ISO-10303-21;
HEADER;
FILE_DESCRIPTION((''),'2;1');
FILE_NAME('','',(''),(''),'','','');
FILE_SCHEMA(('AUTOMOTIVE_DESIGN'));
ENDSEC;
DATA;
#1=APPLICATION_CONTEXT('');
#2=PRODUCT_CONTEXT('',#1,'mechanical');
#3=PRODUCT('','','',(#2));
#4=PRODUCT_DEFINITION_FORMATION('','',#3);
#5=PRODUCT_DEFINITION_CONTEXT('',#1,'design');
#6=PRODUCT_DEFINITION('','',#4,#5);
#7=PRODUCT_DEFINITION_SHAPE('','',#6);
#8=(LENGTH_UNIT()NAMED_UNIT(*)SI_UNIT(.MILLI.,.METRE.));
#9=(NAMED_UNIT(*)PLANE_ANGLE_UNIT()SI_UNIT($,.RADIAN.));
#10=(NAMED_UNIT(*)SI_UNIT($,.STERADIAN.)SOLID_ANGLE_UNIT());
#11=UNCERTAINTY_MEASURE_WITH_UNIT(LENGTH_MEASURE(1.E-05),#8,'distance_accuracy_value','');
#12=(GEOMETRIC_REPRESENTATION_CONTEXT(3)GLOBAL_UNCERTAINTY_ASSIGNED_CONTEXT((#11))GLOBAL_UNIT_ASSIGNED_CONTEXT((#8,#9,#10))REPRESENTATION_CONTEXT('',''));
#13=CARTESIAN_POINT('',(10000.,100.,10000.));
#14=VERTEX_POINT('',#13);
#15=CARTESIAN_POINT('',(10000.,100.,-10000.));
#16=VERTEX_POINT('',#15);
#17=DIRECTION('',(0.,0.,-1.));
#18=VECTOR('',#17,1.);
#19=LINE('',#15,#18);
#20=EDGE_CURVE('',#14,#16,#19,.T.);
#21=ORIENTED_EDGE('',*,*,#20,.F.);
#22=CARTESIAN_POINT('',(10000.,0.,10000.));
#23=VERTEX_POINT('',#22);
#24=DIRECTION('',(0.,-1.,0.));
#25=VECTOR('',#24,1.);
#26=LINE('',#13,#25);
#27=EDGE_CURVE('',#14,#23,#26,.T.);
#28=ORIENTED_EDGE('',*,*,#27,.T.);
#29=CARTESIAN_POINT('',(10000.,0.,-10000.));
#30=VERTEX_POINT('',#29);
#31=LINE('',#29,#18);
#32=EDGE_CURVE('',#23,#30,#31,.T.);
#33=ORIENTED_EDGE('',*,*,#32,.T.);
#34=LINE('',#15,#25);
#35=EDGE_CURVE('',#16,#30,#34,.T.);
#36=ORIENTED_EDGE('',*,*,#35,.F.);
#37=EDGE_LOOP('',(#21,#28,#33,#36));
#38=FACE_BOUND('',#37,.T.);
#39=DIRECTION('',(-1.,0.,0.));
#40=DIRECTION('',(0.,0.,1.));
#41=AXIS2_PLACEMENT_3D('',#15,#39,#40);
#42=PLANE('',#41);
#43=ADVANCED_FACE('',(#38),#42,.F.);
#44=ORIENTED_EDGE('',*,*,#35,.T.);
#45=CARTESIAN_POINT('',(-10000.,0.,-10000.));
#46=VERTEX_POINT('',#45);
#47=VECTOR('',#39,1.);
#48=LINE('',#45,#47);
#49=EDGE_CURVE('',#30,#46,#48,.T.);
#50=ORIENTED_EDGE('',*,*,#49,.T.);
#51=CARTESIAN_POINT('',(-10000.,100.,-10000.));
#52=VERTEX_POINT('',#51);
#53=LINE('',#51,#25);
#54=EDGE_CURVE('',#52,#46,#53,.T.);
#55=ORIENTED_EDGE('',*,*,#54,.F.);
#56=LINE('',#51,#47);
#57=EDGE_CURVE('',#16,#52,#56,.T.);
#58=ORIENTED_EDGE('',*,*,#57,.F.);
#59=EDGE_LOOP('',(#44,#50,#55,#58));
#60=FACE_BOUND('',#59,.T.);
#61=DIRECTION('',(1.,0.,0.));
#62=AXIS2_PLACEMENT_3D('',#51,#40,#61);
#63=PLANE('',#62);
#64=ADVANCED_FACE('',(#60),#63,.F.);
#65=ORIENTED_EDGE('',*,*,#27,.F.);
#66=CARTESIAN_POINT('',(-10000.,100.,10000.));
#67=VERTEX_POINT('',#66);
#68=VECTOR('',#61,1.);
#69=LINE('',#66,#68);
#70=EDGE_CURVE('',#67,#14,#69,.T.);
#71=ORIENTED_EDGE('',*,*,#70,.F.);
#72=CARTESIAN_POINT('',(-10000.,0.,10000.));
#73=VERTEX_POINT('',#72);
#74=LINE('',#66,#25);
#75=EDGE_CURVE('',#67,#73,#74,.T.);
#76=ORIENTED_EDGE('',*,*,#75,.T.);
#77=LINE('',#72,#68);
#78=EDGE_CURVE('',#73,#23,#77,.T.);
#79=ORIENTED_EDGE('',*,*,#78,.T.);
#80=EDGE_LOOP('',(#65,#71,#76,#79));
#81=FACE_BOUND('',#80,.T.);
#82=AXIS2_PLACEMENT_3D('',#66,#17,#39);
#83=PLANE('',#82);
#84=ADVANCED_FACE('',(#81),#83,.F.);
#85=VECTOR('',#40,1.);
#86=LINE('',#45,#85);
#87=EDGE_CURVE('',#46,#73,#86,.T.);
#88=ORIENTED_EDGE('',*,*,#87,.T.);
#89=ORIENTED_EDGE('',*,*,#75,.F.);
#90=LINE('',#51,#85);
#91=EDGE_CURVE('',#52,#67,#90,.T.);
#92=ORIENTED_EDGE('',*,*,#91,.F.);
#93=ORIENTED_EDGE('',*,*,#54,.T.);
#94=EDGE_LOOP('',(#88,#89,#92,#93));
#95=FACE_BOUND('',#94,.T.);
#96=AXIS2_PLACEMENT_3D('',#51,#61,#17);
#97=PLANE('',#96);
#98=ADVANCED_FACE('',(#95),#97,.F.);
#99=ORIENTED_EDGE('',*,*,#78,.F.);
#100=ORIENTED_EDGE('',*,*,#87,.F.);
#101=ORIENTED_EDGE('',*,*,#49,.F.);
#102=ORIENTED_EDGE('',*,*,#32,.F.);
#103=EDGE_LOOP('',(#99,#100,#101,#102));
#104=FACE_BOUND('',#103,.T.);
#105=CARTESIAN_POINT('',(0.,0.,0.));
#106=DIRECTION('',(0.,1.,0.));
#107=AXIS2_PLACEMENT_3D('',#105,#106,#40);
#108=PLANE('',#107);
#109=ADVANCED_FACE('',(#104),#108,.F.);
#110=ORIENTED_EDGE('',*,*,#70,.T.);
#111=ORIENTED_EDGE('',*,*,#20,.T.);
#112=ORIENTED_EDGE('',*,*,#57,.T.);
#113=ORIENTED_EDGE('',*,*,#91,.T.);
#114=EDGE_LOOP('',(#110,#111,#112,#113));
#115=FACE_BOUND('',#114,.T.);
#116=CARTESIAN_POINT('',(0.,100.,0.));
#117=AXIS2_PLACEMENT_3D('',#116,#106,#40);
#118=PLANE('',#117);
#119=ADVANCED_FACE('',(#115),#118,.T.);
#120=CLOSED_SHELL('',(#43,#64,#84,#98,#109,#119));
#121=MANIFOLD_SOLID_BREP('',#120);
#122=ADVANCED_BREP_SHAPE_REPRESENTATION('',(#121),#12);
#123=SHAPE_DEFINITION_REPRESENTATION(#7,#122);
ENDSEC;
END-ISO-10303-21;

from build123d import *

# Parameters (mm, degrees)
SKETCH_1_W      = 20000
SKETCH_1_H      = 20000
EXTRUDE_1_DEPTH = 100


with BuildPart() as part:
    # 草图1 → 凸台-拉伸1 (new body)
    with BuildSketch(Plane(origin=(0, 0, 0), x_dir=(1, 0, 0), z_dir=(0, 1, 0))):
        Rectangle(SKETCH_1_W, SKETCH_1_H)
    extrude(amount=EXTRUDE_1_DEPTH)


solid = part.part
